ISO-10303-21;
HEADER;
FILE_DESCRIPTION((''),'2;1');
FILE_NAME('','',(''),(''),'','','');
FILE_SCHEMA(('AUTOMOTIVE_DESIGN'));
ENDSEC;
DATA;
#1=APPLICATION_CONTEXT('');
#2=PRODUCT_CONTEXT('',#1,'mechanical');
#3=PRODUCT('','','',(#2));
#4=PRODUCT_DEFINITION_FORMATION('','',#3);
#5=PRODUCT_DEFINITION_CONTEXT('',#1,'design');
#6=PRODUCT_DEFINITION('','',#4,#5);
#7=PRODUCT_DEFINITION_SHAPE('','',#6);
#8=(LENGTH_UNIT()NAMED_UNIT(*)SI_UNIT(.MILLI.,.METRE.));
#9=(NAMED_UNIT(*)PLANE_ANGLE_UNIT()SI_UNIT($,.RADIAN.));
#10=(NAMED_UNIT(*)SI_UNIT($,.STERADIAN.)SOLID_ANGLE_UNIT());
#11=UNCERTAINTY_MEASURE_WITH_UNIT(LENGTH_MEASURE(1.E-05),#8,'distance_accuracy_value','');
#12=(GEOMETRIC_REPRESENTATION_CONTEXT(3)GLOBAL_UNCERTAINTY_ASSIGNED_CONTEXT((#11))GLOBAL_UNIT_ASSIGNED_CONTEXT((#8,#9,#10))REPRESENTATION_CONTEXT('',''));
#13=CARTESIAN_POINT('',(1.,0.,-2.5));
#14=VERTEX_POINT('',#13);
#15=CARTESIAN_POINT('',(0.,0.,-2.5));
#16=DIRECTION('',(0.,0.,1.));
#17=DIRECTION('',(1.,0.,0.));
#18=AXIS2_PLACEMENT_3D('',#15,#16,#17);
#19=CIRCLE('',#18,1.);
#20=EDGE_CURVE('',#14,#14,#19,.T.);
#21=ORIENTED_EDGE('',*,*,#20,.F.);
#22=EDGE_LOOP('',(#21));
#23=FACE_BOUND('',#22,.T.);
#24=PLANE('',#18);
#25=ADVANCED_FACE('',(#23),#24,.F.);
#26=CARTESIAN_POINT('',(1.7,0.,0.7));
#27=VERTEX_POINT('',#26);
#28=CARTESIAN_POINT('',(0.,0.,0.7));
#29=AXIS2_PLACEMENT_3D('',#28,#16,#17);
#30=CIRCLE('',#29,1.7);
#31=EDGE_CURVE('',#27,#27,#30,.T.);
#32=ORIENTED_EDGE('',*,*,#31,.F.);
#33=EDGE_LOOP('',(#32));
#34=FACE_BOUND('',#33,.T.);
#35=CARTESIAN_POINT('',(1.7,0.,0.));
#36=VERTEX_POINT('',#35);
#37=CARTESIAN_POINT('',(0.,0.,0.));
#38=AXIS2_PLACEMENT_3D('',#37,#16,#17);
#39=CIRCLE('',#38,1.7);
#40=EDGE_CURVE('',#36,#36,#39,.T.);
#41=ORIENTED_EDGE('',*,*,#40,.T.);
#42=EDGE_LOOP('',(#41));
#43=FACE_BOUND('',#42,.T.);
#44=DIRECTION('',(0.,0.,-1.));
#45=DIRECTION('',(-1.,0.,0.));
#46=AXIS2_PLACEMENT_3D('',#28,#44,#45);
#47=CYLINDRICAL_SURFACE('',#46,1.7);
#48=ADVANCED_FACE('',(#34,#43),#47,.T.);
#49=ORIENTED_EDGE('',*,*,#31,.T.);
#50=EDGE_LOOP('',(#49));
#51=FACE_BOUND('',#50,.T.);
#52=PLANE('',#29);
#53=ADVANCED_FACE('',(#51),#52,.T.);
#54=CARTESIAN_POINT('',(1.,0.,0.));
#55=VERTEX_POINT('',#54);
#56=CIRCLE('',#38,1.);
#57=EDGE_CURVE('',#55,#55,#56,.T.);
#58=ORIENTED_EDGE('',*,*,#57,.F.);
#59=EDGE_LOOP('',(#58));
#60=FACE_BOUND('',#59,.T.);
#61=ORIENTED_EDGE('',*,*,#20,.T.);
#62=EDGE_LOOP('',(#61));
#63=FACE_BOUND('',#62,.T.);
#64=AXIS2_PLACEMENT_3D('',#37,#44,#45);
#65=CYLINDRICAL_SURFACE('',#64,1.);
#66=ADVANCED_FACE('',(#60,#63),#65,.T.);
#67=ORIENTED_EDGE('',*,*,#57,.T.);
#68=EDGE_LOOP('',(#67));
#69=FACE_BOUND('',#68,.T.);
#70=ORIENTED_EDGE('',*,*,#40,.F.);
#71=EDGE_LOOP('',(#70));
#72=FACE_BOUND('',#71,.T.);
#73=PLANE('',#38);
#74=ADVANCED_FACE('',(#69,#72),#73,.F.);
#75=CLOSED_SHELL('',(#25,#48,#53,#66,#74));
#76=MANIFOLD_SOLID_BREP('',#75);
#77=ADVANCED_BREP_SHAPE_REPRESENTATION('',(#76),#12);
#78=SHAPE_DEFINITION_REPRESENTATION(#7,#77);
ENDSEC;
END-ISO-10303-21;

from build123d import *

# Parameters (mm, degrees)
THREAD_ENVELOPE_START = -2.5
SKETCH1_R             = 1
THREAD_ENVELOPE_DEPTH = 2.5
SKETCH2_R             = 1.7
HEAD_ENVELOPE_DEPTH   = 0.7


with BuildPart() as part:
    # Sketch1 → Thread_Envelope (new body)
    with BuildSketch(Plane.XY.offset(THREAD_ENVELOPE_START)):
        Circle(SKETCH1_R)
    extrude(amount=THREAD_ENVELOPE_DEPTH)

    # Sketch2 → Head_Envelope (add)
    with BuildSketch(Plane.XY):
        Circle(SKETCH2_R)
    extrude(amount=HEAD_ENVELOPE_DEPTH)


solid = part.part
